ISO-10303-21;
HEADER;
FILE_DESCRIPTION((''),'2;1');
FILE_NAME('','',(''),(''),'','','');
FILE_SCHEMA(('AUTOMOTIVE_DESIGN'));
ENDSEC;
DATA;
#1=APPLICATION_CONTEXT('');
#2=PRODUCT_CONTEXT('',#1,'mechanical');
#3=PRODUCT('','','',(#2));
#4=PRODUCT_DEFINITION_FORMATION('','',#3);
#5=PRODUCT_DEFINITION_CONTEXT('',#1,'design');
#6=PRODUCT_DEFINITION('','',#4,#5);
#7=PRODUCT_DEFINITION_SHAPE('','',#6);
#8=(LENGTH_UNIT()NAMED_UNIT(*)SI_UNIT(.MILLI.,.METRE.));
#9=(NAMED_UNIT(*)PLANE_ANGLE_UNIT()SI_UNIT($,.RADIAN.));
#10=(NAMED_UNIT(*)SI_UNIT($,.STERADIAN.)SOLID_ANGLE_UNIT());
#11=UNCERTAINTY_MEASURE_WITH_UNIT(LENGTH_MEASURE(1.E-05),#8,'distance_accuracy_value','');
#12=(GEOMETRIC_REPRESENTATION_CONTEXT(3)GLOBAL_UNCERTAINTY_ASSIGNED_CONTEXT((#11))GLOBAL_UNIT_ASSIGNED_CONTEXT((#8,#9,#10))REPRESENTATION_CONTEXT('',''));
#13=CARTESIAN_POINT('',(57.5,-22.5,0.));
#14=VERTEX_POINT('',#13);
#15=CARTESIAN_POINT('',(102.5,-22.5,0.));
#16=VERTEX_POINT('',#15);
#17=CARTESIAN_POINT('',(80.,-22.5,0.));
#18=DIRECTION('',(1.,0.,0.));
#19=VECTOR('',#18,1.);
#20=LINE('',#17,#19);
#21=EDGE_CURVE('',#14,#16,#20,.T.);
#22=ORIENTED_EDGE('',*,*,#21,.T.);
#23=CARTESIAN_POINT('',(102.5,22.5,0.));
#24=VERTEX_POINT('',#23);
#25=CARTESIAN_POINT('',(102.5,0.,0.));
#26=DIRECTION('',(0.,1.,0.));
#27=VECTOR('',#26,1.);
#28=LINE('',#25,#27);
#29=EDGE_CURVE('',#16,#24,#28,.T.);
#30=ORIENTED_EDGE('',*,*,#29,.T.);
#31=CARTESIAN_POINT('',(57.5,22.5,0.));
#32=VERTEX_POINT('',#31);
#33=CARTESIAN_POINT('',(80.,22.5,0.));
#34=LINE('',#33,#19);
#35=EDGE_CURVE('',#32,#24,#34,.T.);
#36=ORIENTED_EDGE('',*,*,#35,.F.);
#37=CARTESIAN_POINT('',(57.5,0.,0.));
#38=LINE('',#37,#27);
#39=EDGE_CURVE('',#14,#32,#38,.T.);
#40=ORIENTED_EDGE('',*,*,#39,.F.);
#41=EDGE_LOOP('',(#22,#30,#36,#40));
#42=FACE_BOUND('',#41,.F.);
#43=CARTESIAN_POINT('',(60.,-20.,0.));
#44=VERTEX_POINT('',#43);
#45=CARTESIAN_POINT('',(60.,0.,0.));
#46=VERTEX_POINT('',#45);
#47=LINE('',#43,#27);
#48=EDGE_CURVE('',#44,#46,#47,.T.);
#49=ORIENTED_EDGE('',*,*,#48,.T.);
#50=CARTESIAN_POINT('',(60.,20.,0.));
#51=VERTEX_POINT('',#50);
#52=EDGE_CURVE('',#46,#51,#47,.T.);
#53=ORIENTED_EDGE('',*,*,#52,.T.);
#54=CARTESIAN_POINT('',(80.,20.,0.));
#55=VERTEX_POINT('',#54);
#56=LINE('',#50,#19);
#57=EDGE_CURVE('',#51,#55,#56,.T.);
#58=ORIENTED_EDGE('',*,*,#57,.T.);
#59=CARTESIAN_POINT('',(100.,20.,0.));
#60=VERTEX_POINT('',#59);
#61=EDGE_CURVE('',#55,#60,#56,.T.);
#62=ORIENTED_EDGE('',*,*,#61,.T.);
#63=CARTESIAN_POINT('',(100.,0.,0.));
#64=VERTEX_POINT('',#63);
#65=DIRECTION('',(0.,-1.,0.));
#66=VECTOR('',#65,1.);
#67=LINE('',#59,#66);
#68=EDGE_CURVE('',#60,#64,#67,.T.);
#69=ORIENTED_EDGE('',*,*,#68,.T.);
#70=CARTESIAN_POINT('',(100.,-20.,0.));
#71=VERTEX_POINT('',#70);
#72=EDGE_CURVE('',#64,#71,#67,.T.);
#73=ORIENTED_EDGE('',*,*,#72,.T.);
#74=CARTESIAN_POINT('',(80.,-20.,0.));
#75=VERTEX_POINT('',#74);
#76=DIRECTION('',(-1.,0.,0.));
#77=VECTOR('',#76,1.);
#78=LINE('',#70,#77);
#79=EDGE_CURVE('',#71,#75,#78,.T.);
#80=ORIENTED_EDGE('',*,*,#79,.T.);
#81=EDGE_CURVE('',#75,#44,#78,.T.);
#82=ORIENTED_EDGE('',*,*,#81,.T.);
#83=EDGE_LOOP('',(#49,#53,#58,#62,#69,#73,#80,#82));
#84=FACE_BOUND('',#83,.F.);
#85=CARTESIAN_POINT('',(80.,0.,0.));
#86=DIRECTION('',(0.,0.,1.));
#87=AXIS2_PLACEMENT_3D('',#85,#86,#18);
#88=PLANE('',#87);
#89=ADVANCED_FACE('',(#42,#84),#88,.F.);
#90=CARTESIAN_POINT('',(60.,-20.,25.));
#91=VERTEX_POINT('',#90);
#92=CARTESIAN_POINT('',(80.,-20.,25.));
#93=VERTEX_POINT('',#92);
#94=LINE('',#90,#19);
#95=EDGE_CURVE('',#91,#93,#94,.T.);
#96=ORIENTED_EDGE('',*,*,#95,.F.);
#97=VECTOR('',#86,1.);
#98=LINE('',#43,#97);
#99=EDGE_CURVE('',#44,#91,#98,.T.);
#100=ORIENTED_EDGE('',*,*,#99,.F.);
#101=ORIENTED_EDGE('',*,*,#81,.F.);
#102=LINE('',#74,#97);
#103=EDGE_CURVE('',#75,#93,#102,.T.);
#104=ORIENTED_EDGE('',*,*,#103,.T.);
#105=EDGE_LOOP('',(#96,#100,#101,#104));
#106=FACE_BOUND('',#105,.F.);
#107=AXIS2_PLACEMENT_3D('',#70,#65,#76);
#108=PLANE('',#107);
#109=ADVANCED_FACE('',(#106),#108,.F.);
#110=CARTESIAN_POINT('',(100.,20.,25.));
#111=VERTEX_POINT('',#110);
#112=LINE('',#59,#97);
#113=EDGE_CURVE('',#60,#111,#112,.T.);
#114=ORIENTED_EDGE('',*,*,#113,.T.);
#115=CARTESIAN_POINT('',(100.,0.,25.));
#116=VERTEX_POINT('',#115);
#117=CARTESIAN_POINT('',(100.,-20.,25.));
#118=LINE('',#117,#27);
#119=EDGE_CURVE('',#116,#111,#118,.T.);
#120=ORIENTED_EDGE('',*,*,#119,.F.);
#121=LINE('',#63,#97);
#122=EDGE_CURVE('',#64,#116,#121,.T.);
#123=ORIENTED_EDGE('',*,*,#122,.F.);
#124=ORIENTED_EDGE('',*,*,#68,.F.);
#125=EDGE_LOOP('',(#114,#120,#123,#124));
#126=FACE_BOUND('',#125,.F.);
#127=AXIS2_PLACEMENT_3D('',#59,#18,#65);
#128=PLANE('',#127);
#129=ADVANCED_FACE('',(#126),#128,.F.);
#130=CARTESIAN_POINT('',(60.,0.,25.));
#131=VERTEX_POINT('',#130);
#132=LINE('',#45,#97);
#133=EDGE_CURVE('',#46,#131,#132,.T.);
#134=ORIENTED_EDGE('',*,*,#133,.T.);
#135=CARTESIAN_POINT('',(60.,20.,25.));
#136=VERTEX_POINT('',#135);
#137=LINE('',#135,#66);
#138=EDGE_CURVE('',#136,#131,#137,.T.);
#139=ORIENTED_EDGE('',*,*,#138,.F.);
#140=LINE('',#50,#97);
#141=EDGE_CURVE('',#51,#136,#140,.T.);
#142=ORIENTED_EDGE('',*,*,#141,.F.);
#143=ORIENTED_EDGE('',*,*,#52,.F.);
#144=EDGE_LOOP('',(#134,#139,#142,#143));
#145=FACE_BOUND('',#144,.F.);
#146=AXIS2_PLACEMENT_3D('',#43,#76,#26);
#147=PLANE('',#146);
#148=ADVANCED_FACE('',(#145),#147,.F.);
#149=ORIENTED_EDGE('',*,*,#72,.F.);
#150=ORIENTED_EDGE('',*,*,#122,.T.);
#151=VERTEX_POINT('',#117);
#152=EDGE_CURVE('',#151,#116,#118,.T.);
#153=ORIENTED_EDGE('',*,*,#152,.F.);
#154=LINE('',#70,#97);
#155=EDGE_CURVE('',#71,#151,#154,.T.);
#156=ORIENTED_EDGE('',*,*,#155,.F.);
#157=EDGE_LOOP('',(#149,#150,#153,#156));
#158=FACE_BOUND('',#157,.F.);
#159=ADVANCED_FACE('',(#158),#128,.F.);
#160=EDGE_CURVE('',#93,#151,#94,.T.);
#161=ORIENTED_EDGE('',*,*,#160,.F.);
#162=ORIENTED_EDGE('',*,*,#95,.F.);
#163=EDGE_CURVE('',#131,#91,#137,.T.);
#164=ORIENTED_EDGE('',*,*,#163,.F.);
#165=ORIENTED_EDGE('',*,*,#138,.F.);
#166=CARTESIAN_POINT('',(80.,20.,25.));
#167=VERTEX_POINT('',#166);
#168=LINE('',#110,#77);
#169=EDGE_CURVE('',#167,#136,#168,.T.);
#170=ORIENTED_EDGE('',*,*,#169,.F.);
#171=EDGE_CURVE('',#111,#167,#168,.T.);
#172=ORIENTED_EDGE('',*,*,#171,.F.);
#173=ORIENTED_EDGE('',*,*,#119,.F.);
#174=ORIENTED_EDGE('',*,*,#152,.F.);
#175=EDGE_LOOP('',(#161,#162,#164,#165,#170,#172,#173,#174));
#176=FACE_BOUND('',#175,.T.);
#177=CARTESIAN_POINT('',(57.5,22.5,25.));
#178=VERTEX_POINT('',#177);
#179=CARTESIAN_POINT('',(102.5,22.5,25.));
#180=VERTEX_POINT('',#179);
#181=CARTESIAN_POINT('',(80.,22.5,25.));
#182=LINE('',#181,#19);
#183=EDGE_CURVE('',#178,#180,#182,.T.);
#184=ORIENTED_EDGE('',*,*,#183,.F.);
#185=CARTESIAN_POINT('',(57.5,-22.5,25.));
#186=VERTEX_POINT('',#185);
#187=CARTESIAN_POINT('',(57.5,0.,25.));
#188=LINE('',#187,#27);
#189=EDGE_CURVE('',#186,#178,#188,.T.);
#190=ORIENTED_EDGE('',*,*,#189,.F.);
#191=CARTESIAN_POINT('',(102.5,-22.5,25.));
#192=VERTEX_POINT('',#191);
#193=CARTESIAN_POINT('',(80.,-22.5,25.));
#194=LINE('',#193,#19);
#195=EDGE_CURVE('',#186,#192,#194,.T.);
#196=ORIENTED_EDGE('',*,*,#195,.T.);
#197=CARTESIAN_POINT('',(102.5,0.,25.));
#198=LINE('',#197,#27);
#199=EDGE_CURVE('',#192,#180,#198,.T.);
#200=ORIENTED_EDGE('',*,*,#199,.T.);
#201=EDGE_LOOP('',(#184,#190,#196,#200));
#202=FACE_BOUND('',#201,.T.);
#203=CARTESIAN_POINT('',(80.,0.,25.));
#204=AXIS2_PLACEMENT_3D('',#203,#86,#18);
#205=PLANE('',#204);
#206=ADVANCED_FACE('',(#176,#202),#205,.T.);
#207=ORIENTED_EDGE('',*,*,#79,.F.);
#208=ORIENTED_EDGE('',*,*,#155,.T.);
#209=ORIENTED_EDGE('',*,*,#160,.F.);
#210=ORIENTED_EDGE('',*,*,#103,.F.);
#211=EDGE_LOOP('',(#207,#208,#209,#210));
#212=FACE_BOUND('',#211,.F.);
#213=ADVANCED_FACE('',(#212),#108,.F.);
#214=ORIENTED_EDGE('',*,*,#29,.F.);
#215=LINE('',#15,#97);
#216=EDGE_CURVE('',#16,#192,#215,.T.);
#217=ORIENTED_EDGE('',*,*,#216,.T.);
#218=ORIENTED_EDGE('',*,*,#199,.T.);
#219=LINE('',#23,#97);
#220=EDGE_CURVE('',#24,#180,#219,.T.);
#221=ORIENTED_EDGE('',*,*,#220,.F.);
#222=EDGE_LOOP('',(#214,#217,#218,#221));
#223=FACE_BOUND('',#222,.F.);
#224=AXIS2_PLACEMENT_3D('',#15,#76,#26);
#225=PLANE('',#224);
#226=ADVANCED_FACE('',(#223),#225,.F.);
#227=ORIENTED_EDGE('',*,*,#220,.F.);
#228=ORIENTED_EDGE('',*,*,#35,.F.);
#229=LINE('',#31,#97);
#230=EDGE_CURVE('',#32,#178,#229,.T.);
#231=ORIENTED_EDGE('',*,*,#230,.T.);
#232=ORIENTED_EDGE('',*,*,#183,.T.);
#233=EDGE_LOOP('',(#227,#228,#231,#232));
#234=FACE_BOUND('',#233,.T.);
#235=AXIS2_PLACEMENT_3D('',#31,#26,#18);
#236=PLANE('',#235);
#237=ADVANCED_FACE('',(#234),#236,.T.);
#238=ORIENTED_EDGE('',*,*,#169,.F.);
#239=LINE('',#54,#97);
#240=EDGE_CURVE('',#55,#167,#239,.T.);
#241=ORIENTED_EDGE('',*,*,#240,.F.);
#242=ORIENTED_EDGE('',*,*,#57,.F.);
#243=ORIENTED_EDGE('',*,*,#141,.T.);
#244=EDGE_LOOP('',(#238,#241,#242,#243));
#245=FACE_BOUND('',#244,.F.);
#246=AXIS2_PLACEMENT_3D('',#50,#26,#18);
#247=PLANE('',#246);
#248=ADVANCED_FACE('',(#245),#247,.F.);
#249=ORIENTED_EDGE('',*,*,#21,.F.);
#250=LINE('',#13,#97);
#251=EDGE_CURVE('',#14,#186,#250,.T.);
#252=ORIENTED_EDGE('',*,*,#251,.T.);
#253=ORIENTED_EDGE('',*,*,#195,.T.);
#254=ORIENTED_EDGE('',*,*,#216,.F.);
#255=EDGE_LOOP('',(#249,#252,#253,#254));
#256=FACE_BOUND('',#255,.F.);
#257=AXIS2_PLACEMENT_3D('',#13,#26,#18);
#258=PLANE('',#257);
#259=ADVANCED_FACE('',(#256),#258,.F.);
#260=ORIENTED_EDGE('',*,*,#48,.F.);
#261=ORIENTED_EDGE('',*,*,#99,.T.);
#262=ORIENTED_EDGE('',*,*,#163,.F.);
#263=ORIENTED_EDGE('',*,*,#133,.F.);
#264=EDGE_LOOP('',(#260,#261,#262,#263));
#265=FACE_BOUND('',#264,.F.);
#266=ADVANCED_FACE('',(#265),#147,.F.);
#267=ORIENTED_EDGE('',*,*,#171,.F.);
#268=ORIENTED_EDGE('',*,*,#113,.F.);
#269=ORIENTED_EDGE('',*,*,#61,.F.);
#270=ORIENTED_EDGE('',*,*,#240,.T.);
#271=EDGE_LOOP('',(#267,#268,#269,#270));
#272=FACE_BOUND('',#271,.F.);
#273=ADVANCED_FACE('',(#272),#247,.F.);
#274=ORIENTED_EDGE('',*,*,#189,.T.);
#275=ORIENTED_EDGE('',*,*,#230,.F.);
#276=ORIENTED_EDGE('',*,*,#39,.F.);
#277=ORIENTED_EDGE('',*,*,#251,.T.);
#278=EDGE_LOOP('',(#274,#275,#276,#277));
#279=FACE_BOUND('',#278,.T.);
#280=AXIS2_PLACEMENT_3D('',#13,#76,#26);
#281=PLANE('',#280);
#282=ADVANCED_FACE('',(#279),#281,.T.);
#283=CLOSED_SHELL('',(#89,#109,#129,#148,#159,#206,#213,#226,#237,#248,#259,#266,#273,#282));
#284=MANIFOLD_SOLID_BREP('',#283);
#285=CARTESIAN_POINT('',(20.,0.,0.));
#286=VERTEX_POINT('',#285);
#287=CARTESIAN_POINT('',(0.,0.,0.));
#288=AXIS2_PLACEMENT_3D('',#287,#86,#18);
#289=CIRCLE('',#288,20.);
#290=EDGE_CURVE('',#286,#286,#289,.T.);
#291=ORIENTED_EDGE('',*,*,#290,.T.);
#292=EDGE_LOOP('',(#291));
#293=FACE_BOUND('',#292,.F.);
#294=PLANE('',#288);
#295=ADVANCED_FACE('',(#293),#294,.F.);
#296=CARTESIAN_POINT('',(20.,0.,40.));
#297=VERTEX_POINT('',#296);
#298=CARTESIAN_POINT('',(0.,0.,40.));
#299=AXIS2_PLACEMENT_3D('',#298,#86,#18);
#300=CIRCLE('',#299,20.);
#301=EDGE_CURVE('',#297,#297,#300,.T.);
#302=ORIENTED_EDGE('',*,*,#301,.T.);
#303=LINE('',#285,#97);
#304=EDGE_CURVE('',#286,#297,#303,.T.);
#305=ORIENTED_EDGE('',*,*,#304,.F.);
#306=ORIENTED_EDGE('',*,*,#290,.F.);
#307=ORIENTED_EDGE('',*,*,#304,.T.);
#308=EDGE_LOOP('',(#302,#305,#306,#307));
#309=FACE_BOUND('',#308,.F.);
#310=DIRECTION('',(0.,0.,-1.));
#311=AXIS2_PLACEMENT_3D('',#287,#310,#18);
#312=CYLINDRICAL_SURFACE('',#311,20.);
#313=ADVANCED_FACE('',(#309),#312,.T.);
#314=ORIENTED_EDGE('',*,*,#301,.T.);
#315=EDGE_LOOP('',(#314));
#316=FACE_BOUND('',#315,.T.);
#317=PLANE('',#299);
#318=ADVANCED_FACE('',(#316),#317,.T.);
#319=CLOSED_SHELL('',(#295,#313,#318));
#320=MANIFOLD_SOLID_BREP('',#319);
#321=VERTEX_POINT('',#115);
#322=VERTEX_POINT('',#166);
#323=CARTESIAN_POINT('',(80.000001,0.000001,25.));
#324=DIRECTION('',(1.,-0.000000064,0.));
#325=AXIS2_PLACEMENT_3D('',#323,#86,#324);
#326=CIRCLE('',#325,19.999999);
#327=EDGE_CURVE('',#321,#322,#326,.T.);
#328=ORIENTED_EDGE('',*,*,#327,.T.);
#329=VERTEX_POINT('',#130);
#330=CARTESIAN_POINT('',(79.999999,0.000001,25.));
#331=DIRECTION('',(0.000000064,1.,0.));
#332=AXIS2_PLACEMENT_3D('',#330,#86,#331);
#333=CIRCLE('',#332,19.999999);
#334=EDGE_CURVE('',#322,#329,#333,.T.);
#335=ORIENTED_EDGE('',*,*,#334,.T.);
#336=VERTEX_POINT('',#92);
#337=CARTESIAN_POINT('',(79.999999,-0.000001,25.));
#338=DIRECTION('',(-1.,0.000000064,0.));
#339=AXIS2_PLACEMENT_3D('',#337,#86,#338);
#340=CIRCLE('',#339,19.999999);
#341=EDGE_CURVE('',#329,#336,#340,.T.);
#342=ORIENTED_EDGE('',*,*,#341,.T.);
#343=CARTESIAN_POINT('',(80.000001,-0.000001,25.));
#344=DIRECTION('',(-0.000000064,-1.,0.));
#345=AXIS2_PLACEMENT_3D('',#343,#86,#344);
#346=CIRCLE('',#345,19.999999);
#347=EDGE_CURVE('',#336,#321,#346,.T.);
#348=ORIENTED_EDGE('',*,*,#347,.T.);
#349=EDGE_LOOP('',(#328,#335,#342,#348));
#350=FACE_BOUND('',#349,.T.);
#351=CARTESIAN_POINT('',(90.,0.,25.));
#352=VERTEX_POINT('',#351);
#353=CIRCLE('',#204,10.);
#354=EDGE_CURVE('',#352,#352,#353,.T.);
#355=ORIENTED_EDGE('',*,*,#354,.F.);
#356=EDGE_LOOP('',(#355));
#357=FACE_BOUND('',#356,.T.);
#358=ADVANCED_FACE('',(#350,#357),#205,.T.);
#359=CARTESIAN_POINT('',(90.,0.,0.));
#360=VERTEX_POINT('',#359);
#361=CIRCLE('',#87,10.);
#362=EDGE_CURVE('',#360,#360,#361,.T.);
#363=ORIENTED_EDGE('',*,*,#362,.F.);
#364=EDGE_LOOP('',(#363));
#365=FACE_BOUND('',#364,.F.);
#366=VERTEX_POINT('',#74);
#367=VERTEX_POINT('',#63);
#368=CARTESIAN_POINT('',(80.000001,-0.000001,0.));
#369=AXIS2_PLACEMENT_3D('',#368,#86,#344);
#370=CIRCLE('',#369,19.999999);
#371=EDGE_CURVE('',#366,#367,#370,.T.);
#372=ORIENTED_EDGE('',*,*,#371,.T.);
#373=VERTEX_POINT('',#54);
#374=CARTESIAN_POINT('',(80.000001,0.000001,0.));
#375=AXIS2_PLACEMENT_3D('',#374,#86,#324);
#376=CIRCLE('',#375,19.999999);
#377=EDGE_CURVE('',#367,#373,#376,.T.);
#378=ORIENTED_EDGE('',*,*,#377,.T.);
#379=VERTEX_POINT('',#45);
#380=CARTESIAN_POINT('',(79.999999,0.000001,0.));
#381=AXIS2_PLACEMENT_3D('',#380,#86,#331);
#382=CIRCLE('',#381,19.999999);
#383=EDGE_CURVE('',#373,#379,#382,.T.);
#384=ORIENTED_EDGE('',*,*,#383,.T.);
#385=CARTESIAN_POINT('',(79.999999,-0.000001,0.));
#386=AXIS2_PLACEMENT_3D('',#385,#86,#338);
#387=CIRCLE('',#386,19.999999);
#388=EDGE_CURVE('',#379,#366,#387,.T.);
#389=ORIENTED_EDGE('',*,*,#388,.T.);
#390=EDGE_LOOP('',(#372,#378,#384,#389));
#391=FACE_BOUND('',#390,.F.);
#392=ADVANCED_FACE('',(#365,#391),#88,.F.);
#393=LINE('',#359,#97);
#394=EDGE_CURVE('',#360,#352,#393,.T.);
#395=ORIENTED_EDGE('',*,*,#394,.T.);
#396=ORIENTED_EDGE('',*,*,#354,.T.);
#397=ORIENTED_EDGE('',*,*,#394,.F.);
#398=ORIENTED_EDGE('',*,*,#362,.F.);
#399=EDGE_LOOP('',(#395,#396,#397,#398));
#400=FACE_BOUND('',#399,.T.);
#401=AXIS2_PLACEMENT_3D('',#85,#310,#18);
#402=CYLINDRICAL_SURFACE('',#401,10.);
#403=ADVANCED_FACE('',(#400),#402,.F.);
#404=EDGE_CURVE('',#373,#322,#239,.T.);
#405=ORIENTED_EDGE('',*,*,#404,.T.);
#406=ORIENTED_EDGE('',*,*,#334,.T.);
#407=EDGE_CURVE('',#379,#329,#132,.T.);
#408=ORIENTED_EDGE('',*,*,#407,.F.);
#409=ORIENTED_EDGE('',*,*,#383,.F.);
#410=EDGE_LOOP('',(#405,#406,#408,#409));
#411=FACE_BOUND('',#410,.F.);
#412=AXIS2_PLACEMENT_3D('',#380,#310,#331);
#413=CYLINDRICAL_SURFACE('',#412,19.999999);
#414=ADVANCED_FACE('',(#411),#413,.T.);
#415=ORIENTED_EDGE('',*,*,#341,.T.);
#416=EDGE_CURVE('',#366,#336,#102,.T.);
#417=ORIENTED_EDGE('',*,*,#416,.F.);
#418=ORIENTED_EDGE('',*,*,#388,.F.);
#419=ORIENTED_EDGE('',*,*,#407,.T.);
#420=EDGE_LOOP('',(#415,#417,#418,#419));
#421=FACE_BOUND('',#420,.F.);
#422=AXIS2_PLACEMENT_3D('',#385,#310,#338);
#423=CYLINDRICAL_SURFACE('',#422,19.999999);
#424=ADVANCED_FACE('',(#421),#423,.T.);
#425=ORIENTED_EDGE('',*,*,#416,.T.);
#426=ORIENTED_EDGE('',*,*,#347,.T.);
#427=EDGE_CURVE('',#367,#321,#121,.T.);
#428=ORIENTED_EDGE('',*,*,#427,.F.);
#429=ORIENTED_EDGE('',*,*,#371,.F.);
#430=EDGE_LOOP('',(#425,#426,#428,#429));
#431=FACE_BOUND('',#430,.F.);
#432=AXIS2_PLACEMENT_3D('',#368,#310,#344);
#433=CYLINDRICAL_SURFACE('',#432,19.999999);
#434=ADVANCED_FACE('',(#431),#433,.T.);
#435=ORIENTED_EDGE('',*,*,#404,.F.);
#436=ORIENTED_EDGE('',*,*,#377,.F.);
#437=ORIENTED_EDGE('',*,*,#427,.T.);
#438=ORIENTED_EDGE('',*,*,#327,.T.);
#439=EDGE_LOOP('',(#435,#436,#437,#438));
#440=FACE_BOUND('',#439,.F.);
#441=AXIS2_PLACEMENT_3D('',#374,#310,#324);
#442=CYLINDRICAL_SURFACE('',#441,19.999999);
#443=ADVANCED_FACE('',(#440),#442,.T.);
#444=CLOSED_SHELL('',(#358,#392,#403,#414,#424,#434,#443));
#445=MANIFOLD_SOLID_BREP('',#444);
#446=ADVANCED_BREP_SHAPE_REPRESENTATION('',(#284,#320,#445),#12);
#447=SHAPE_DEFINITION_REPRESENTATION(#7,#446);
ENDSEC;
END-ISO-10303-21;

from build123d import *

# Parameters (mm, degrees)
F0_R     = 20
F1_DEPTH = 40
F0_W     = 45
F0_H     = 45
F0_R_2   = 10
F2_DEPTH = 25


with BuildPart() as f1:
    # F0 (on Top) → F1 (new body)
    with BuildSketch(Plane.XY):
        Circle(F0_R)
    extrude(amount=F1_DEPTH)


with BuildPart() as f2:
    # F0 (on Top) → F2 (new body)
    with BuildSketch(Plane.XY):
        with Locations((80, 0)):
            Rectangle(F0_W, F0_H)
        Polygon((100, 20), (100, 0), (100, -20), (80, -20), (60, -20), (60, 0), (60, 20), (80, 20), align=None, mode=Mode.SUBTRACT)
        with BuildLine():
            ThreePointArc((80, -20), (94.142136, -14.142136), (100, 0))
            ThreePointArc((100, 0), (94.142136, 14.142136), (80, 20))
            ThreePointArc((80, 20), (65.857864, 14.142136), (60, 0))
            ThreePointArc((60, 0), (65.857864, -14.142136), (80, -20))
        make_face()
        with Locations((80, 0)):
            Circle(F0_R_2, mode=Mode.SUBTRACT)
    extrude(amount=F2_DEPTH)


solid = Compound([f1.part, f2.part])
